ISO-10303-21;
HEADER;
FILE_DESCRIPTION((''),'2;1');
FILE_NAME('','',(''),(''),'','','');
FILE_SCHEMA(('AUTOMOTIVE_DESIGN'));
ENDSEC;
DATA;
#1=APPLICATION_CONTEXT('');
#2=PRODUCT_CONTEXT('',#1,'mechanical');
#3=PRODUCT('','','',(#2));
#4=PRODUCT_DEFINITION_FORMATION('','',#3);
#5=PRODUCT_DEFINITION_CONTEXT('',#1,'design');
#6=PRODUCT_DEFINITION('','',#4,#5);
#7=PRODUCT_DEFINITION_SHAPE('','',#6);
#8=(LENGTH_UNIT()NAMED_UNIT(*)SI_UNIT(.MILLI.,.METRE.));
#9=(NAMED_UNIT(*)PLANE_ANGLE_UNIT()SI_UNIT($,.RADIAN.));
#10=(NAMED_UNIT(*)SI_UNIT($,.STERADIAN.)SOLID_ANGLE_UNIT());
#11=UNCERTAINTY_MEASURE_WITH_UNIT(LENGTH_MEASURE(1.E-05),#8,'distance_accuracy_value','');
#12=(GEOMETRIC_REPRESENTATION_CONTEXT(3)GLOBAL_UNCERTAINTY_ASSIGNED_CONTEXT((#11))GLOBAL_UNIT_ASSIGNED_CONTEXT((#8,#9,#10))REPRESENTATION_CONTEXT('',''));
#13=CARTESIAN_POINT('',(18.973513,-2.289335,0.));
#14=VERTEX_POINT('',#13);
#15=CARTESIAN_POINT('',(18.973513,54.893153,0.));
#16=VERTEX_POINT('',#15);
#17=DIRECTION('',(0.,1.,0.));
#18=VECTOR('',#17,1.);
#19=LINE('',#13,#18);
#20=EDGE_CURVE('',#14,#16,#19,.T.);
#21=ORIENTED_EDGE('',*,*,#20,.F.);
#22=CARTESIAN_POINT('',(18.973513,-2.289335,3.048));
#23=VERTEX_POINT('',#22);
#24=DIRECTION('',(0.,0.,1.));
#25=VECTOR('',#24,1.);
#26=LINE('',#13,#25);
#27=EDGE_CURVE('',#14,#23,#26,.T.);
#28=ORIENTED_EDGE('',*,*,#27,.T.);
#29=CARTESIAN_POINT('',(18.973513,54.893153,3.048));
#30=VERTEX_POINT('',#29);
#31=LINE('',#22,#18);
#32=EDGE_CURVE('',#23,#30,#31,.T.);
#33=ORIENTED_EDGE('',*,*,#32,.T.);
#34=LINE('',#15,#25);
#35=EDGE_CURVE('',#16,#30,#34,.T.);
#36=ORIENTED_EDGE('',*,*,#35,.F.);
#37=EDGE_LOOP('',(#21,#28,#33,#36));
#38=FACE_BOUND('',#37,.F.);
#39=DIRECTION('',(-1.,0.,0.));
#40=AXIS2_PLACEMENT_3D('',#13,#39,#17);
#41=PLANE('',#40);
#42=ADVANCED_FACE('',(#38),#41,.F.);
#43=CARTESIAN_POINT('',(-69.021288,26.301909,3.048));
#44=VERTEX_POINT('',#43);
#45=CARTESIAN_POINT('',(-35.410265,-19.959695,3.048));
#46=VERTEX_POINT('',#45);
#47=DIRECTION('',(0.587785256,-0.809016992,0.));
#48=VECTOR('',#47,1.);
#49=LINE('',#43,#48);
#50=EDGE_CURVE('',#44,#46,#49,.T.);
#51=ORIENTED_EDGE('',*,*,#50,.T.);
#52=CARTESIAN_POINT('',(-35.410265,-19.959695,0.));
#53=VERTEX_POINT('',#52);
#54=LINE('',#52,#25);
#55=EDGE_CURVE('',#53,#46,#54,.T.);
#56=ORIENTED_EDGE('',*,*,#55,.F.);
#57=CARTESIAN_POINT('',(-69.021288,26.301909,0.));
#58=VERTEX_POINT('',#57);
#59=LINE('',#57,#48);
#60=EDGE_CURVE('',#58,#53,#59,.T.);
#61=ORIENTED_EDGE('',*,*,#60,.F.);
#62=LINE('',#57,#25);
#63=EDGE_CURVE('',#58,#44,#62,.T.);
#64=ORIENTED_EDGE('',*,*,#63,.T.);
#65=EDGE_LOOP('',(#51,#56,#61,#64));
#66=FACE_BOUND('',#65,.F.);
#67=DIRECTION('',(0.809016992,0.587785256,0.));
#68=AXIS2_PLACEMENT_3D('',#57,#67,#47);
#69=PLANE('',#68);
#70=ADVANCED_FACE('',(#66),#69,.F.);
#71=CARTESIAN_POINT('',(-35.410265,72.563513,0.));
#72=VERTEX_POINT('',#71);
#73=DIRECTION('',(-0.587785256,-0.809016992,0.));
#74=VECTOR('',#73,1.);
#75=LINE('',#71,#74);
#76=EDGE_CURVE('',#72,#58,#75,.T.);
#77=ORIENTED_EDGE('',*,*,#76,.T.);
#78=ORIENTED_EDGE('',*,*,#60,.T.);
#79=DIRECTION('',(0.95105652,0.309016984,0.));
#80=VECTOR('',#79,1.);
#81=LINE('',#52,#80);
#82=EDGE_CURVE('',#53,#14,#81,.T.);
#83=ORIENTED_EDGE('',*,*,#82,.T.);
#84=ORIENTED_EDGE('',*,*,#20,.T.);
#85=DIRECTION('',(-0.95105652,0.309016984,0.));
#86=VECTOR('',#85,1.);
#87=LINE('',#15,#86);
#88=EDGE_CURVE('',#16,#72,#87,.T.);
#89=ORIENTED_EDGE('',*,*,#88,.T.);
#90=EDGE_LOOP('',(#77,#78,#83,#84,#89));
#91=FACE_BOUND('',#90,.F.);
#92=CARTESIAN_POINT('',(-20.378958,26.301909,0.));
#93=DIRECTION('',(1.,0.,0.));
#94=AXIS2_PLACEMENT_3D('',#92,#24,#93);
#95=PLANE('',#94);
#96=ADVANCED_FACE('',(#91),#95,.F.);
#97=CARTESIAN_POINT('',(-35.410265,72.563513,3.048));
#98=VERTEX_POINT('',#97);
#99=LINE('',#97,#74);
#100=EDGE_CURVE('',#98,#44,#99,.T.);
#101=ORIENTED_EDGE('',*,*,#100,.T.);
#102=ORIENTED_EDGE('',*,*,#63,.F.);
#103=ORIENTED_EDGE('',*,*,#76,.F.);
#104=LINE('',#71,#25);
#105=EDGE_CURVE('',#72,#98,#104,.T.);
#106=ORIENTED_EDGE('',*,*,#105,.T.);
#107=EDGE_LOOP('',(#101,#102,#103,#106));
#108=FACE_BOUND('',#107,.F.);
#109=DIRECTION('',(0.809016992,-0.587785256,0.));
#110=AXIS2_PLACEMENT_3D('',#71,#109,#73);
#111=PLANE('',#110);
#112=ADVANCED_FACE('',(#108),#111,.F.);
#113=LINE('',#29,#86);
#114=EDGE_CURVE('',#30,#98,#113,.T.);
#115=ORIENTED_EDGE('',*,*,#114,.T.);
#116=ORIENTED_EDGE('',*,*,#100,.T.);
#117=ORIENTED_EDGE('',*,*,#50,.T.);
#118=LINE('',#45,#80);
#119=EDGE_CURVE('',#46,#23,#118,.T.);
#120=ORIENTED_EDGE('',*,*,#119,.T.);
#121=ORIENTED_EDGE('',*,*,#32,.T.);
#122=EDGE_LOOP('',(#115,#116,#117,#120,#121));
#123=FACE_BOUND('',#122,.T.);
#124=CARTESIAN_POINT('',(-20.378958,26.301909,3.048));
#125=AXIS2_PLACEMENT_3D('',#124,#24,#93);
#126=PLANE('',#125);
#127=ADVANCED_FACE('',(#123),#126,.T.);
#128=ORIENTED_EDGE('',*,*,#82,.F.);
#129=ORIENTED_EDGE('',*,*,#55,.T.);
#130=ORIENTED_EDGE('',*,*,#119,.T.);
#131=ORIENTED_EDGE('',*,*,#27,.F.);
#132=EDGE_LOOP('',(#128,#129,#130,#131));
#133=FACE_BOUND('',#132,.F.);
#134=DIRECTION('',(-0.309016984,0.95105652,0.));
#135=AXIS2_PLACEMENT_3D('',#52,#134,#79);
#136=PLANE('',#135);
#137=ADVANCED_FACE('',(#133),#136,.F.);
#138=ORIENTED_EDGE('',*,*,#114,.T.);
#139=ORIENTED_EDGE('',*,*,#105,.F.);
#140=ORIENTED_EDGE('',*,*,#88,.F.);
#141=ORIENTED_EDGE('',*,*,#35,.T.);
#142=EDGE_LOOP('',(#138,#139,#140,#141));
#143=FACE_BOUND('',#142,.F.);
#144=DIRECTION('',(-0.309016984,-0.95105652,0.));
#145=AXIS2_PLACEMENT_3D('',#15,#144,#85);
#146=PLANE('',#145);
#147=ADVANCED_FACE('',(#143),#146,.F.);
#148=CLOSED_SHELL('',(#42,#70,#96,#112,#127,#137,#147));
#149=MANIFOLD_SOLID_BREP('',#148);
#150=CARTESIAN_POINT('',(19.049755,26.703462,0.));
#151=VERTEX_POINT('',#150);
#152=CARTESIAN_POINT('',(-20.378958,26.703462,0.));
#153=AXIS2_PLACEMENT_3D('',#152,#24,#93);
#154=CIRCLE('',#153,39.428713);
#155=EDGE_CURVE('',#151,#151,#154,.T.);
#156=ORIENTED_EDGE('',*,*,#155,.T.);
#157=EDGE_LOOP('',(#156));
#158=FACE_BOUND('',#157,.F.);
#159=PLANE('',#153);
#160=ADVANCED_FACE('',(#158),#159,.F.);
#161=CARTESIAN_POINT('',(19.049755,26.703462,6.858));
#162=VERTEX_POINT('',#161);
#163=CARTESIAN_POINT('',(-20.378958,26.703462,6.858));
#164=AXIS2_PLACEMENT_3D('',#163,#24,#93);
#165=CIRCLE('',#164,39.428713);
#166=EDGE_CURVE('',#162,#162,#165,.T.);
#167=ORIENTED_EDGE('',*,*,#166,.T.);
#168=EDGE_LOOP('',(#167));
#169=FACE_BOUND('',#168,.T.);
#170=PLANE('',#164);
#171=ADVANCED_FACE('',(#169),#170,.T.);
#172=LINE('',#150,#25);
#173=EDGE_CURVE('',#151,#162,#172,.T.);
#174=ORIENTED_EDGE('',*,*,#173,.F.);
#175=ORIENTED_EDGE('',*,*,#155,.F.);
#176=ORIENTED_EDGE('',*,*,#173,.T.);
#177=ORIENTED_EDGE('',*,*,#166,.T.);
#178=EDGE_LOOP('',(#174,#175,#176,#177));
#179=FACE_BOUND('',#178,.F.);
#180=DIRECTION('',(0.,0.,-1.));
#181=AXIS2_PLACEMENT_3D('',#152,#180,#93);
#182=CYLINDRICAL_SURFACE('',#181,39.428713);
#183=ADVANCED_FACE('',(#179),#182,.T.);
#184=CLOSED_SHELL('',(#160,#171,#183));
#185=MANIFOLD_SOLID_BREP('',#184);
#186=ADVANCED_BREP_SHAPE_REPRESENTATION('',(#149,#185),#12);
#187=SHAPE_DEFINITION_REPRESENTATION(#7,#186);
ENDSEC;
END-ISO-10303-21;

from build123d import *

# Parameters (mm, degrees)
F2_DEPTH = 3.048
F1_R     = 39.428713
F3_DEPTH = 6.858


with BuildPart() as f2:
    # F0 (on Top) → F2 (new body)
    with BuildSketch(Plane.XY):
        Polygon((18.973513, -2.289335), (18.973513, 54.893153), (-35.410265, 72.563513), (-69.021288, 26.301909), (-35.410265, -19.959695), align=None)
    extrude(amount=F2_DEPTH)


with BuildPart() as f3:
    # F1 (on Top) → F3 (new body)
    with BuildSketch(Plane.XY):
        with Locations((-20.378958, 26.703462)):
            Circle(F1_R)
    extrude(amount=F3_DEPTH)


solid = Compound([f2.part, f3.part])
